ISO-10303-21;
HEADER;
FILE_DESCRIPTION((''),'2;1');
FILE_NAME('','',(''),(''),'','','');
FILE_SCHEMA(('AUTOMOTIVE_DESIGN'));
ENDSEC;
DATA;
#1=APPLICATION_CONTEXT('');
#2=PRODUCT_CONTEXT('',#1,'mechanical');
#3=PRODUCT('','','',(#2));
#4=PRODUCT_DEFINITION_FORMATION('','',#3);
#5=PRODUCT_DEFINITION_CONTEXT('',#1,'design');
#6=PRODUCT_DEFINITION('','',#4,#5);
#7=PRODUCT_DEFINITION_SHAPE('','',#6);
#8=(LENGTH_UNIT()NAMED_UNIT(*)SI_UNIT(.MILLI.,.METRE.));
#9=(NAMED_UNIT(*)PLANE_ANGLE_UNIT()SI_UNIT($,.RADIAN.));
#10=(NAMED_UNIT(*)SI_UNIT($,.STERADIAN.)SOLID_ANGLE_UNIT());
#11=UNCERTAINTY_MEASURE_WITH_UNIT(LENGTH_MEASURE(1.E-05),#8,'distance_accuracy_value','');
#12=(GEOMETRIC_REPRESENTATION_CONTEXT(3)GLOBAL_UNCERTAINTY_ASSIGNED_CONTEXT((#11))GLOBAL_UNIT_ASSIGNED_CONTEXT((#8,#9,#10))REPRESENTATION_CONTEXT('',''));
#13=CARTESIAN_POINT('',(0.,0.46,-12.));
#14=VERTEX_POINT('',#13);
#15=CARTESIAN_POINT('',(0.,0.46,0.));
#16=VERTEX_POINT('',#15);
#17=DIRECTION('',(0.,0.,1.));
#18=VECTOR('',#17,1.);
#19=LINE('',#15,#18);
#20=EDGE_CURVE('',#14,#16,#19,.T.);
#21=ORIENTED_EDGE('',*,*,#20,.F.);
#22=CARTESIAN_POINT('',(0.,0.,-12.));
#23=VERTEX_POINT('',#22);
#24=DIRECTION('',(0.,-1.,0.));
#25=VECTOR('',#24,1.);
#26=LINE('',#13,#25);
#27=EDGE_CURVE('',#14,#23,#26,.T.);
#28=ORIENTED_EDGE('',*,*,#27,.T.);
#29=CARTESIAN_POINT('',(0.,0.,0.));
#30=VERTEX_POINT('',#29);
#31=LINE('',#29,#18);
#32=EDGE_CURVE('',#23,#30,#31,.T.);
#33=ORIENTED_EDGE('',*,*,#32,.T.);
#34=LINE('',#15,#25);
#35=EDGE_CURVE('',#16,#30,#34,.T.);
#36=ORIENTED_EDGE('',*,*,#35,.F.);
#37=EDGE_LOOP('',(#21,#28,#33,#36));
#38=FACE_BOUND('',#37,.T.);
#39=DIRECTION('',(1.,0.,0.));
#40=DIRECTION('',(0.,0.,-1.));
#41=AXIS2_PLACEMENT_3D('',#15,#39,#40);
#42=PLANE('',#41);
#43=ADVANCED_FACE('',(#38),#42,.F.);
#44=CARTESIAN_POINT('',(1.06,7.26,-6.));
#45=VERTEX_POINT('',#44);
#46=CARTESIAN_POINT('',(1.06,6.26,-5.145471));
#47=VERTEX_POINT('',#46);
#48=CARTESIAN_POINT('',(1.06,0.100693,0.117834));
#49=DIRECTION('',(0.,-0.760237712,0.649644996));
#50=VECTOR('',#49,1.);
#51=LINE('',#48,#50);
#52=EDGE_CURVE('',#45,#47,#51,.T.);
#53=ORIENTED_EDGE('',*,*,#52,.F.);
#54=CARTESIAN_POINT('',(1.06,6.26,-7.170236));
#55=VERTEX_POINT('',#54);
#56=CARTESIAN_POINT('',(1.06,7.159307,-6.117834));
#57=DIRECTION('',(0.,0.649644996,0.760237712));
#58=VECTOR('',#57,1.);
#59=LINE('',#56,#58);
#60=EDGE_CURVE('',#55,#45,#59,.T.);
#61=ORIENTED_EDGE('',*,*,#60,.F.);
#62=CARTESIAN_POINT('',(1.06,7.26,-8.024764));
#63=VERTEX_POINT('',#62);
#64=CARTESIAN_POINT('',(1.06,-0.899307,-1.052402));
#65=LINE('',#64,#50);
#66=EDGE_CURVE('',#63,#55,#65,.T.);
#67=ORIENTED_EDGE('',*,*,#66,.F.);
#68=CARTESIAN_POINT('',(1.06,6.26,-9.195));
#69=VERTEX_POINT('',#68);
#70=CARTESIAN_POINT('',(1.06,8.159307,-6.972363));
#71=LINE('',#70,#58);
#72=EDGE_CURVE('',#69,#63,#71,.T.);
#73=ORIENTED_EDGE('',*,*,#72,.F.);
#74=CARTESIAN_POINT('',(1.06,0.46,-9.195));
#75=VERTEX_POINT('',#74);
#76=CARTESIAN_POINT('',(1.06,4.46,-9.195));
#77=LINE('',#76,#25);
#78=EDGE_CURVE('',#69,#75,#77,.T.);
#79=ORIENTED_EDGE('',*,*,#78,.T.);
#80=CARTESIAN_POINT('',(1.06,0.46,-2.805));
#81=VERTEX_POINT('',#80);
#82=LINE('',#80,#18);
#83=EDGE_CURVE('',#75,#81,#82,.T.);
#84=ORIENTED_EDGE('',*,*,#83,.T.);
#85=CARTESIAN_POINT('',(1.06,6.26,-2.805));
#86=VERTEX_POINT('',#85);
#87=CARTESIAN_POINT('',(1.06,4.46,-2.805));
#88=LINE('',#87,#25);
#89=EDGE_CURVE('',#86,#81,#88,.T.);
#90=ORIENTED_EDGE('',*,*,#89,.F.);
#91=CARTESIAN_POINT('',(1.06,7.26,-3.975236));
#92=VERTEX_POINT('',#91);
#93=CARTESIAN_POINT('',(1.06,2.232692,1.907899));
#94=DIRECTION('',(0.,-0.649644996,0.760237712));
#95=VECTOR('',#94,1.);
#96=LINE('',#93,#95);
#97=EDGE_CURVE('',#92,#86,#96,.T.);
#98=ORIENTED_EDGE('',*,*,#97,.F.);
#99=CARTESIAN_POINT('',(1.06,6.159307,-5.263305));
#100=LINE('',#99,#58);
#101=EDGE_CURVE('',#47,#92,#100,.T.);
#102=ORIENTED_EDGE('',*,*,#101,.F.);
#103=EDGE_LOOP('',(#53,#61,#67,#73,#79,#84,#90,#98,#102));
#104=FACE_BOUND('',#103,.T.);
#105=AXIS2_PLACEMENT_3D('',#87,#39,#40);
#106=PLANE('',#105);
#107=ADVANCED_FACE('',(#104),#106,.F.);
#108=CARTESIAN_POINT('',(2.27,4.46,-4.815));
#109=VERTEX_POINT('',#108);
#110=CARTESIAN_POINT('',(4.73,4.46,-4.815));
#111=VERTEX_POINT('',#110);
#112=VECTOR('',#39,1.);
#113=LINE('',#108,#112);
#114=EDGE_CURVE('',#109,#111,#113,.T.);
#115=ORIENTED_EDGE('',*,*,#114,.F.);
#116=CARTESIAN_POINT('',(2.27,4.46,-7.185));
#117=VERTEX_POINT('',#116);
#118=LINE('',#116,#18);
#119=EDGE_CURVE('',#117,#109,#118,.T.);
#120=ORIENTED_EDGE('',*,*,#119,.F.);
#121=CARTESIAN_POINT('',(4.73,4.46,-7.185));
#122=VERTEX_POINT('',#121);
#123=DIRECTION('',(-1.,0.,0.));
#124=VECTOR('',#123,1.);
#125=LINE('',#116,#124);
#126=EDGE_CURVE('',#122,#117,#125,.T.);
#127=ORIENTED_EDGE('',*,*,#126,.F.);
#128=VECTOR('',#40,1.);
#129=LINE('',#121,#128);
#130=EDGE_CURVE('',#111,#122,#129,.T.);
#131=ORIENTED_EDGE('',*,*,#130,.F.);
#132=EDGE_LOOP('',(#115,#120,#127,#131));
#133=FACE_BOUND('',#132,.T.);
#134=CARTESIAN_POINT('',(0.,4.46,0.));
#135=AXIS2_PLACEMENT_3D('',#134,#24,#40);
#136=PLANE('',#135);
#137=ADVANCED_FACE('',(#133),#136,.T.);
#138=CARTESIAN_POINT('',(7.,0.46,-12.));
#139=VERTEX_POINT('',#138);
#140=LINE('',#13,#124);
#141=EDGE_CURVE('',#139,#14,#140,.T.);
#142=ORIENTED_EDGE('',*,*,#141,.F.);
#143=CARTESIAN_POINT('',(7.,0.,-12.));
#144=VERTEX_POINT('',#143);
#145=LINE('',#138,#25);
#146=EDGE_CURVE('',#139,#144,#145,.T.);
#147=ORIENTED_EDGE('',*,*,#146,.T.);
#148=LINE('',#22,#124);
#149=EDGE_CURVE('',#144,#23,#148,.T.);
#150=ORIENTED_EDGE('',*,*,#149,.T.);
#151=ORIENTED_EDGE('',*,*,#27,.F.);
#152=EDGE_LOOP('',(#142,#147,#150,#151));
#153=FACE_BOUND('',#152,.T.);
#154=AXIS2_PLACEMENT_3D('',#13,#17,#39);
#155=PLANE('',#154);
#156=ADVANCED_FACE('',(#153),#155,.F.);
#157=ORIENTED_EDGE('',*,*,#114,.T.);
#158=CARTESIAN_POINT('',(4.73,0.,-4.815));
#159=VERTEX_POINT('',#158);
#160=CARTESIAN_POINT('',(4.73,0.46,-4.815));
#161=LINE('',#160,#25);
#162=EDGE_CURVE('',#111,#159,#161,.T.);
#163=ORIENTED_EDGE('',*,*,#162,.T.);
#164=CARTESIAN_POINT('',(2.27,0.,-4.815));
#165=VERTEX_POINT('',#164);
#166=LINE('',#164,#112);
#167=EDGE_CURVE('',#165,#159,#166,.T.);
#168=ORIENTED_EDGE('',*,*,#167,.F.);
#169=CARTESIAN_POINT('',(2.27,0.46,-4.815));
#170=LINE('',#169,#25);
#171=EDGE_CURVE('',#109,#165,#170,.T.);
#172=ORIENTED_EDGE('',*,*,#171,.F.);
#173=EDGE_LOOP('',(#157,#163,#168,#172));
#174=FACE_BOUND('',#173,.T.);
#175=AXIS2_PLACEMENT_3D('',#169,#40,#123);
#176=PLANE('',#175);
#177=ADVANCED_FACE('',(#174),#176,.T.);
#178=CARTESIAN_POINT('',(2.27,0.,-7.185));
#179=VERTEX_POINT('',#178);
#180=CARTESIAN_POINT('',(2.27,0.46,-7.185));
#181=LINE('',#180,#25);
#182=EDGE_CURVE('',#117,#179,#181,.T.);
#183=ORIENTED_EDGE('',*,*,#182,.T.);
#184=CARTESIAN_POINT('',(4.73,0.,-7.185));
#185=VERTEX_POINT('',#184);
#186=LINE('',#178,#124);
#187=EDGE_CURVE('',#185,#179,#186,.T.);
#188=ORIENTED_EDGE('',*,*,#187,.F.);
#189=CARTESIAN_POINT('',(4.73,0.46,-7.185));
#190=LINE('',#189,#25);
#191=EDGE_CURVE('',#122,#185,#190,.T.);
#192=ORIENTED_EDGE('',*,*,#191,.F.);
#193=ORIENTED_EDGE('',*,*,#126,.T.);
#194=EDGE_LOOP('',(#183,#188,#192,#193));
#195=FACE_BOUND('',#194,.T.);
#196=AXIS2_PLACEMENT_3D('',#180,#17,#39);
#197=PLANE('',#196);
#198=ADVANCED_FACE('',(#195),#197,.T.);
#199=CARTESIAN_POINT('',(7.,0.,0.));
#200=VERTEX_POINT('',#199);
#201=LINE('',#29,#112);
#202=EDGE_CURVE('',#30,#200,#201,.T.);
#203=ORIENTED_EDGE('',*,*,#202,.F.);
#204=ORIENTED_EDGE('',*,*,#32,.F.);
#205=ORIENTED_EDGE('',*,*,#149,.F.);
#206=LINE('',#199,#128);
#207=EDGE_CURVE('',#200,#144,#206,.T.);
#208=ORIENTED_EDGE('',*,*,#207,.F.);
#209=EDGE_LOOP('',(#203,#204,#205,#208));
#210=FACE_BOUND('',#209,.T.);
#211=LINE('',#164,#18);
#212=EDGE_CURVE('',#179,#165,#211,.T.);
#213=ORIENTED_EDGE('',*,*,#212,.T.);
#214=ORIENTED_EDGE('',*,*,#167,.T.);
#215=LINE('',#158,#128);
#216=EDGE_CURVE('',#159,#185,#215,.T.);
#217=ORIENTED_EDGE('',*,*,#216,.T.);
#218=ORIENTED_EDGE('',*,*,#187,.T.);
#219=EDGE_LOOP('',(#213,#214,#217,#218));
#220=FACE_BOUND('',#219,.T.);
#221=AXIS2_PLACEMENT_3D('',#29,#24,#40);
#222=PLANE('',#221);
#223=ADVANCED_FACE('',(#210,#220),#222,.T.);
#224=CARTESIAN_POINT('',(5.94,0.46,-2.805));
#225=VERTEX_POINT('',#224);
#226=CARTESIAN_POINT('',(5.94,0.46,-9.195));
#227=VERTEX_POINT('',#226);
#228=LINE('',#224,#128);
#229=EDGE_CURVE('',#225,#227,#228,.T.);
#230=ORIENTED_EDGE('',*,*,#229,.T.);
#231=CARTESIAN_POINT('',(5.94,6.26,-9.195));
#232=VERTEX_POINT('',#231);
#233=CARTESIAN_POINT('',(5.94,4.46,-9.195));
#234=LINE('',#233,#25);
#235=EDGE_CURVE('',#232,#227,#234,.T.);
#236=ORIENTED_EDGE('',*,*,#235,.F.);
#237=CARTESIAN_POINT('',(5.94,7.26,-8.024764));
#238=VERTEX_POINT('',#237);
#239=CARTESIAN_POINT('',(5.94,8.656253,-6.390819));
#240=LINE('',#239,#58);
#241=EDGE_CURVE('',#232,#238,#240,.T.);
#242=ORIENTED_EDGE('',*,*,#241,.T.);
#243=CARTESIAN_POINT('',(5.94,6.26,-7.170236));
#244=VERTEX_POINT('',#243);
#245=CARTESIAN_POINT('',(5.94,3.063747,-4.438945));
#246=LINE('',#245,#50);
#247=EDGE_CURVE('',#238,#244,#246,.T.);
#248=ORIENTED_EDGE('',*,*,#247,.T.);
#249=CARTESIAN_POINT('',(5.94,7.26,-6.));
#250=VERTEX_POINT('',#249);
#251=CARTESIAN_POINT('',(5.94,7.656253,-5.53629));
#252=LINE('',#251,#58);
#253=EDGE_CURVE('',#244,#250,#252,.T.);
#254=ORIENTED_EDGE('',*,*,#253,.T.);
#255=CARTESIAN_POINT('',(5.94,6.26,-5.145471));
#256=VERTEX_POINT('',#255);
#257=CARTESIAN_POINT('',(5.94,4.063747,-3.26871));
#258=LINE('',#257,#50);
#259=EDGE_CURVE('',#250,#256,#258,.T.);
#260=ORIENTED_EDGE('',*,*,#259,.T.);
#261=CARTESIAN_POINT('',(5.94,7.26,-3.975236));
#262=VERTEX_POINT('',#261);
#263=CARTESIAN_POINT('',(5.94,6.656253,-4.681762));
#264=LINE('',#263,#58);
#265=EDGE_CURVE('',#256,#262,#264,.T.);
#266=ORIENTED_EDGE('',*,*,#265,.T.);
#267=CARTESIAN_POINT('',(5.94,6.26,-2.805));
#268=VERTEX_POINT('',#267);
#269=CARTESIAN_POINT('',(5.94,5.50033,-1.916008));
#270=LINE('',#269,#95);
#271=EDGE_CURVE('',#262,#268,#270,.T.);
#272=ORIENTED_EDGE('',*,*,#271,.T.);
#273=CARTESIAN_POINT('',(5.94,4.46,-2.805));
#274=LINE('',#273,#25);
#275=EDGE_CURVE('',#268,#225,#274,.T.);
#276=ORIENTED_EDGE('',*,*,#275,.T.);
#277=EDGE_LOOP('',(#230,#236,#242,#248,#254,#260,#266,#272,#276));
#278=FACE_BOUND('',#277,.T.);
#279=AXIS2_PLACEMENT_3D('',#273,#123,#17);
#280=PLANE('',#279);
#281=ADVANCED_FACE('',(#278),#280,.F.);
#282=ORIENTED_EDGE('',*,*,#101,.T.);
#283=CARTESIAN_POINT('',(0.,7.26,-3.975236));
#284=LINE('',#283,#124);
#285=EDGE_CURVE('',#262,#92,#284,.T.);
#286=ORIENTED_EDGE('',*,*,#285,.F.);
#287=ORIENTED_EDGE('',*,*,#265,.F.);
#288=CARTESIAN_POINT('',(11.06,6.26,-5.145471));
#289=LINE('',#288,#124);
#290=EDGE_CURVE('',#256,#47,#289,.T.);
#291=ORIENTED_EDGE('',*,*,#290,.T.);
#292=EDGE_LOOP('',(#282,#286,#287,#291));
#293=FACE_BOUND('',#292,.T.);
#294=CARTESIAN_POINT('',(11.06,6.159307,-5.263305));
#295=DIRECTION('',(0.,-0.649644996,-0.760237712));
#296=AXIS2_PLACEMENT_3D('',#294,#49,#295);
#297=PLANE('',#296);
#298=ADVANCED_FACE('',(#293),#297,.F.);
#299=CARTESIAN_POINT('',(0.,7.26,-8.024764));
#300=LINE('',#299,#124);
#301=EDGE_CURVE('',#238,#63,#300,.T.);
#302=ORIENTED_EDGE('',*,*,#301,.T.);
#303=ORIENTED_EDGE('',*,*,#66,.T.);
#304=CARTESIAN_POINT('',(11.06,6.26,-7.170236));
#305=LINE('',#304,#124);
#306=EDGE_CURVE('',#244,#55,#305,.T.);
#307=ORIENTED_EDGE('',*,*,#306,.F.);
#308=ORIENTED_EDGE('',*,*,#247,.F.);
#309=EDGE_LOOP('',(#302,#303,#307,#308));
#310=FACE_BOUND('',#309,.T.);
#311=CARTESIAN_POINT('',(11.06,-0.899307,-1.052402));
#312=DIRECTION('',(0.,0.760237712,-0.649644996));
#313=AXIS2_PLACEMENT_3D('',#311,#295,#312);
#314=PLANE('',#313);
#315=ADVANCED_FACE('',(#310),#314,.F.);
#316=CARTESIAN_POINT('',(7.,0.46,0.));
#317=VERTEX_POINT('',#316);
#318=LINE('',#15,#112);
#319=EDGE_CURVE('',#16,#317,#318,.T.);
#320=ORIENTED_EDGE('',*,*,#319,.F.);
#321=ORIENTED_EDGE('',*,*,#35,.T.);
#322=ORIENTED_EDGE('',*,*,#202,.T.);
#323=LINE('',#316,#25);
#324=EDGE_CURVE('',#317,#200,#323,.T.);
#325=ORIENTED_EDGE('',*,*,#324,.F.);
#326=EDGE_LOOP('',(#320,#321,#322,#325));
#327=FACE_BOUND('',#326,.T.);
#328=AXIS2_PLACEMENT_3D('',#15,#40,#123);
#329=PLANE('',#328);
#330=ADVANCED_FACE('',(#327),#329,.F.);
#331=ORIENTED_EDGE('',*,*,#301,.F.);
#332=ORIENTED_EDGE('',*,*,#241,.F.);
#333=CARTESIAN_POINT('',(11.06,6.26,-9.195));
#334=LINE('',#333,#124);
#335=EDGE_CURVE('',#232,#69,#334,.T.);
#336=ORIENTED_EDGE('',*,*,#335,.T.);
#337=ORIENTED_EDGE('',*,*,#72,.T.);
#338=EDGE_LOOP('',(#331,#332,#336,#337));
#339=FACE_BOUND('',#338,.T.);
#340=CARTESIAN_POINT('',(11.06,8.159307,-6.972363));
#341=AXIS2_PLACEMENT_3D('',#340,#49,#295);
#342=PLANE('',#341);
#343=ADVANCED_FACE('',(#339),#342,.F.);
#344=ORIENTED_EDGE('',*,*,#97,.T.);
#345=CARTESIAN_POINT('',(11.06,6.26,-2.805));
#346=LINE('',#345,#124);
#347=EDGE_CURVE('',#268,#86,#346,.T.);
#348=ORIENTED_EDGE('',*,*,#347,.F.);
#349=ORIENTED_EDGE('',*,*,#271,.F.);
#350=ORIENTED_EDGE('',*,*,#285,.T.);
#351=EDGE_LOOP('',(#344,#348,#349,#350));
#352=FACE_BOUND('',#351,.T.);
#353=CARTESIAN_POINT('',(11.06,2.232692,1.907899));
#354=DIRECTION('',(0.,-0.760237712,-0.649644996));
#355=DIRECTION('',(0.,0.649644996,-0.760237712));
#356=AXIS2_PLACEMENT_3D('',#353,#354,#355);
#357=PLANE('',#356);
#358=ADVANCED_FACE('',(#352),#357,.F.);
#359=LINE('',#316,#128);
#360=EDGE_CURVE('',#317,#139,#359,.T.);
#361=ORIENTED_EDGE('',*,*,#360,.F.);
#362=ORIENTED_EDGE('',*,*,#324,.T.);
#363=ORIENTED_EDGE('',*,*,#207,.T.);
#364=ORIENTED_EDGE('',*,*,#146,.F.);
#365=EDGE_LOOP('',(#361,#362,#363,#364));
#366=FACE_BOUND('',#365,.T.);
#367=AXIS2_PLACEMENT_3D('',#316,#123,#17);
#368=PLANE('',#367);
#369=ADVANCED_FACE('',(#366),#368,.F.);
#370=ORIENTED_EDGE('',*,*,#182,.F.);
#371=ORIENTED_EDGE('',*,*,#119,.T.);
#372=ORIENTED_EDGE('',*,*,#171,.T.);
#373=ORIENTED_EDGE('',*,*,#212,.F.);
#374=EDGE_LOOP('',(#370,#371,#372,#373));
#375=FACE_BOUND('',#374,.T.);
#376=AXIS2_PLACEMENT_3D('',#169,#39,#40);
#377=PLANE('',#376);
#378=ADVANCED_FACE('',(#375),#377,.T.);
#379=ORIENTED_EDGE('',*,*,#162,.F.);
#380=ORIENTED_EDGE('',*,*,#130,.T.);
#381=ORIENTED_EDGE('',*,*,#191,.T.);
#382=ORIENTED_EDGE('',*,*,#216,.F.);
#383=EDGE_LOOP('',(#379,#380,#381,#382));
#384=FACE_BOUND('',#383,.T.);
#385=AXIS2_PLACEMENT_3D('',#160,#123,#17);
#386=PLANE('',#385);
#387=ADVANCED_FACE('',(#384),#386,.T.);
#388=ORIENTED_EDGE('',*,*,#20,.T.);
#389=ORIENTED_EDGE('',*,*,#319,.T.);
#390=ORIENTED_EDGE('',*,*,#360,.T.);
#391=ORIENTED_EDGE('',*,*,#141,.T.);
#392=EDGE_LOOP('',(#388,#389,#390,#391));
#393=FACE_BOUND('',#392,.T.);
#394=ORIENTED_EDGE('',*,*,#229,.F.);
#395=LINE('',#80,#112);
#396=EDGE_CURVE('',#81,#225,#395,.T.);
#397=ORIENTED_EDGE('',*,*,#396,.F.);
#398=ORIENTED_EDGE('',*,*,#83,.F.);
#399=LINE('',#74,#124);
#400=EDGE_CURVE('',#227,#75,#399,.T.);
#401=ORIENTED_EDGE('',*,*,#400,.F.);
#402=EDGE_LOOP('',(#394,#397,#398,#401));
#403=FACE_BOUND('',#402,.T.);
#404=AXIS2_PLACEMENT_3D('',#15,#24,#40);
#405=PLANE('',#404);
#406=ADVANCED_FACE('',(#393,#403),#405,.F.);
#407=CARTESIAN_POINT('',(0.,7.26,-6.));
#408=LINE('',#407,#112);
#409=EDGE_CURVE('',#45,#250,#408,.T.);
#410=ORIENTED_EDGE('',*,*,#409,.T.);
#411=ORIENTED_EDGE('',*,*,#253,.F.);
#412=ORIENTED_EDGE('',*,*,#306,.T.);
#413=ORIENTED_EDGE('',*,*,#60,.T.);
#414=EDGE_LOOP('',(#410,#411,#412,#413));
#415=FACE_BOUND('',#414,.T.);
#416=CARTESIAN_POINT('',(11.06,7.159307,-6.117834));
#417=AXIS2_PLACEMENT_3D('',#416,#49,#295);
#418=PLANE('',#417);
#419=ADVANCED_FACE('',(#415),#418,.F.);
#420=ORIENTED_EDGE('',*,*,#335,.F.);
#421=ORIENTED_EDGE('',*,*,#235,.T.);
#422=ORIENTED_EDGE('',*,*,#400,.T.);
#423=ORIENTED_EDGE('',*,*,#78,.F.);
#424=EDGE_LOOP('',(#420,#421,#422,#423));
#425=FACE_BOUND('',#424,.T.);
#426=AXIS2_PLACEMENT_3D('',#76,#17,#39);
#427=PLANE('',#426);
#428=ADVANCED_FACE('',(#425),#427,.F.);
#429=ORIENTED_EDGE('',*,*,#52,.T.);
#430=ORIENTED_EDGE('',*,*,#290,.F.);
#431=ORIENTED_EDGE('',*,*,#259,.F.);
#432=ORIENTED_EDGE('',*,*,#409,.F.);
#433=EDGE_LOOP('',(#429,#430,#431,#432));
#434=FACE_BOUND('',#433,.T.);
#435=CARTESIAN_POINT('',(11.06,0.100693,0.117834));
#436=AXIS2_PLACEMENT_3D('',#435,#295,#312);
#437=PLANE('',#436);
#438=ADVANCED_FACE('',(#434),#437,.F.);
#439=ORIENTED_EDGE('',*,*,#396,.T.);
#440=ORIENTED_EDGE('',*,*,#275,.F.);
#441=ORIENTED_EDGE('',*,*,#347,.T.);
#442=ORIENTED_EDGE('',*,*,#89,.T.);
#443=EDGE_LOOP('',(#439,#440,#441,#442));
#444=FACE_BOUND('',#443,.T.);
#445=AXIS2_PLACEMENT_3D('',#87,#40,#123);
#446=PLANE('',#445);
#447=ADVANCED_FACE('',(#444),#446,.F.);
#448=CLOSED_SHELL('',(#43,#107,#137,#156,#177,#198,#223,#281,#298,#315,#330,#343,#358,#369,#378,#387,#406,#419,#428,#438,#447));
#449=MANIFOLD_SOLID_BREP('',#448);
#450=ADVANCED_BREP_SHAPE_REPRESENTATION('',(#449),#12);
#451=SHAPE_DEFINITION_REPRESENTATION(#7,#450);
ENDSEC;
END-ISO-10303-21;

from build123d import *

# Parameters (mm, degrees)
SKICA1_W                 = 7
SKICA1_H                 = 12
SKICA1_W_2               = 2.46
SKICA1_H_2               = 2.37
P_IDAT_VYSUNUT_M1_DEPTH  = 0.46
SKICA2_W                 = 4.88
SKICA2_H                 = 6.39
SKICA2_W_2               = 2.46
SKICA2_H_2               = 2.37
P_IDAT_VYSUNUT_M2_DEPTH  = 4
SKICA3_W                 = 4.88
SKICA3_H                 = 6.39
P_IDAT_VYSUNUT_M3_DEPTH  = 2.8
ODEBRAT_VYSUNUT_M1_DEPTH = 10


with BuildPart() as part:
    # Skica1 → Přidat vysunutím1 (new body)
    with BuildSketch(Plane(origin=(0, 0, 0), x_dir=(1, 0, 0), z_dir=(0, 1, 0))):
        with Locations((3.5, 6)):
            Rectangle(SKICA1_W, SKICA1_H)
        with Locations((3.5, 6)):
            Rectangle(SKICA1_W_2, SKICA1_H_2, mode=Mode.SUBTRACT)
    extrude(amount=P_IDAT_VYSUNUT_M1_DEPTH)

    # Skica2 → Přidat vysunutím2 (add)
    with BuildSketch(Plane(origin=(0, 0.46, 0), x_dir=(1, 0, 0), z_dir=(0, 1, 0))):
        with Locations((3.5, 6)):
            Rectangle(SKICA2_W, SKICA2_H)
        with Locations((3.5, 6)):
            Rectangle(SKICA2_W_2, SKICA2_H_2, mode=Mode.SUBTRACT)
    extrude(amount=P_IDAT_VYSUNUT_M2_DEPTH)

    # Skica3 → Přidat vysunutím3 (add)
    with BuildSketch(Plane(origin=(0, 4.46, 0), x_dir=(1, 0, 0), z_dir=(0, 1, 0))):
        with Locations((3.5, 6)):
            Rectangle(SKICA3_W, SKICA3_H)
    extrude(amount=P_IDAT_VYSUNUT_M3_DEPTH)

    # Skica4 → Odebrat vysunutím1 (cut)
    with BuildSketch(Plane.ZY.offset(-1.06)):
        Polygon((-9.195, 7.26), (-9.195, 6.26), (-8.024764385, 7.26), align=None)
        Polygon((-6, 7.26), (-8.024764385, 7.26), (-7.170235615, 6.26), align=None)
        Polygon((-3.975235615, 7.26), (-6, 7.26), (-5.145471231, 6.26), align=None)
        Polygon((-2.805, 7.26), (-3.975235615, 7.26), (-2.805, 6.26), align=None)
    extrude(amount=-ODEBRAT_VYSUNUT_M1_DEPTH, mode=Mode.SUBTRACT)


solid = part.part
